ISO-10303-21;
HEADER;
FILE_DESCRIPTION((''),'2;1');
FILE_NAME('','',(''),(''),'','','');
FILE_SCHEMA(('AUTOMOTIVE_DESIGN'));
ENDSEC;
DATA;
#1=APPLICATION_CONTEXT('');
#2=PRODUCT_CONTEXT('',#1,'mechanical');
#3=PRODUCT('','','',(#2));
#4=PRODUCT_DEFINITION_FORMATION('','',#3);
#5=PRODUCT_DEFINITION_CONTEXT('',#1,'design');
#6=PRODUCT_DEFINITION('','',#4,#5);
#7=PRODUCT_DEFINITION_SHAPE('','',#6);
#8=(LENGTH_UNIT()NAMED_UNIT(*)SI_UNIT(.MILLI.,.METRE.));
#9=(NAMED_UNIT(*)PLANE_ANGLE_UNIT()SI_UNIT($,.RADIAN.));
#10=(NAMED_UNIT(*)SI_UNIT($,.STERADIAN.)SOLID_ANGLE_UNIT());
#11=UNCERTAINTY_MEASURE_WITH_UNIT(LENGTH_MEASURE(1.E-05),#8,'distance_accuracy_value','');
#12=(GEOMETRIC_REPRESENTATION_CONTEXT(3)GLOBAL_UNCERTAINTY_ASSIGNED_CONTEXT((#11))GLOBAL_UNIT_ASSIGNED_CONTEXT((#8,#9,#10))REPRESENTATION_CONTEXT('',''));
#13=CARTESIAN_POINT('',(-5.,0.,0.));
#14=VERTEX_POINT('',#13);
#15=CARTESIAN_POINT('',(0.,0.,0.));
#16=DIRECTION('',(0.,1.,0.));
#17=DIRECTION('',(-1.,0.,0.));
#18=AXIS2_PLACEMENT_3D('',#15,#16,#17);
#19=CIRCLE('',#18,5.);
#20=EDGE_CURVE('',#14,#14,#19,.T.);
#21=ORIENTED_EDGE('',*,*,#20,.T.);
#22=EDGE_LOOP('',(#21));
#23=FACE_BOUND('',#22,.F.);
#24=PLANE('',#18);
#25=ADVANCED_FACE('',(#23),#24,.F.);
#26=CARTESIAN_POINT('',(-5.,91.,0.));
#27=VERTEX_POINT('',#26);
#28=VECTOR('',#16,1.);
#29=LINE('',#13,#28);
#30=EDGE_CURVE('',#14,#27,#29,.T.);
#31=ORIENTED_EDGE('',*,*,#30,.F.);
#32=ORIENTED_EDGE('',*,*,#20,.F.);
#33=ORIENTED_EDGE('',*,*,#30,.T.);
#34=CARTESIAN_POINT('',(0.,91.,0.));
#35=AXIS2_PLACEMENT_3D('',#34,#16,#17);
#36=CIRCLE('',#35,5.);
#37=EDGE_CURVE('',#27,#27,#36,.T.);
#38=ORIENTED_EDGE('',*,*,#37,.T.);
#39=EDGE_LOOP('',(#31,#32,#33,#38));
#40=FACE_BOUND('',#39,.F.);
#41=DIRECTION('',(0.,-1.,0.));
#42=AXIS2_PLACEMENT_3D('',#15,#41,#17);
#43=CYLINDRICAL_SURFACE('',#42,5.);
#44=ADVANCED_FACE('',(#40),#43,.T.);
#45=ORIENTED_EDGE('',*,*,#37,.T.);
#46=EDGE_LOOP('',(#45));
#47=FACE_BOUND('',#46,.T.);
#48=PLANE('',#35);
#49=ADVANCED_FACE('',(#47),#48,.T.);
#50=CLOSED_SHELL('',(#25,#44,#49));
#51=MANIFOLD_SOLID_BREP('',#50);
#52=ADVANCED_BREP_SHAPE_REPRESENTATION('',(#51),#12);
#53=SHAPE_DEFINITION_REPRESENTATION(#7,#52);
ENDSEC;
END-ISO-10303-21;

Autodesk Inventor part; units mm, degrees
ref_plane "YZ Plane" through (0, 0, 0) normal (1, 0, 0) x (0, 1, 0)
ref_plane "XZ Plane" through (0, 0, 0) normal (0, 1, 0) x (-1, 0, 0)
ref_plane "XY Plane" through (0, 0, 0) normal (0, 0, 1) x (1, 0, 0)
sketch "Sketch1" plane through (0, 0, 0) normal (0, 1, 0) x (-1, 0, 0)
  circle A0 centre (0, 0) radius 5
  dimension "d0" = 10
extrude "Extrusion1" add sketch "Sketch1" along normal blind 91
properties part number "oś 10 91mm"
